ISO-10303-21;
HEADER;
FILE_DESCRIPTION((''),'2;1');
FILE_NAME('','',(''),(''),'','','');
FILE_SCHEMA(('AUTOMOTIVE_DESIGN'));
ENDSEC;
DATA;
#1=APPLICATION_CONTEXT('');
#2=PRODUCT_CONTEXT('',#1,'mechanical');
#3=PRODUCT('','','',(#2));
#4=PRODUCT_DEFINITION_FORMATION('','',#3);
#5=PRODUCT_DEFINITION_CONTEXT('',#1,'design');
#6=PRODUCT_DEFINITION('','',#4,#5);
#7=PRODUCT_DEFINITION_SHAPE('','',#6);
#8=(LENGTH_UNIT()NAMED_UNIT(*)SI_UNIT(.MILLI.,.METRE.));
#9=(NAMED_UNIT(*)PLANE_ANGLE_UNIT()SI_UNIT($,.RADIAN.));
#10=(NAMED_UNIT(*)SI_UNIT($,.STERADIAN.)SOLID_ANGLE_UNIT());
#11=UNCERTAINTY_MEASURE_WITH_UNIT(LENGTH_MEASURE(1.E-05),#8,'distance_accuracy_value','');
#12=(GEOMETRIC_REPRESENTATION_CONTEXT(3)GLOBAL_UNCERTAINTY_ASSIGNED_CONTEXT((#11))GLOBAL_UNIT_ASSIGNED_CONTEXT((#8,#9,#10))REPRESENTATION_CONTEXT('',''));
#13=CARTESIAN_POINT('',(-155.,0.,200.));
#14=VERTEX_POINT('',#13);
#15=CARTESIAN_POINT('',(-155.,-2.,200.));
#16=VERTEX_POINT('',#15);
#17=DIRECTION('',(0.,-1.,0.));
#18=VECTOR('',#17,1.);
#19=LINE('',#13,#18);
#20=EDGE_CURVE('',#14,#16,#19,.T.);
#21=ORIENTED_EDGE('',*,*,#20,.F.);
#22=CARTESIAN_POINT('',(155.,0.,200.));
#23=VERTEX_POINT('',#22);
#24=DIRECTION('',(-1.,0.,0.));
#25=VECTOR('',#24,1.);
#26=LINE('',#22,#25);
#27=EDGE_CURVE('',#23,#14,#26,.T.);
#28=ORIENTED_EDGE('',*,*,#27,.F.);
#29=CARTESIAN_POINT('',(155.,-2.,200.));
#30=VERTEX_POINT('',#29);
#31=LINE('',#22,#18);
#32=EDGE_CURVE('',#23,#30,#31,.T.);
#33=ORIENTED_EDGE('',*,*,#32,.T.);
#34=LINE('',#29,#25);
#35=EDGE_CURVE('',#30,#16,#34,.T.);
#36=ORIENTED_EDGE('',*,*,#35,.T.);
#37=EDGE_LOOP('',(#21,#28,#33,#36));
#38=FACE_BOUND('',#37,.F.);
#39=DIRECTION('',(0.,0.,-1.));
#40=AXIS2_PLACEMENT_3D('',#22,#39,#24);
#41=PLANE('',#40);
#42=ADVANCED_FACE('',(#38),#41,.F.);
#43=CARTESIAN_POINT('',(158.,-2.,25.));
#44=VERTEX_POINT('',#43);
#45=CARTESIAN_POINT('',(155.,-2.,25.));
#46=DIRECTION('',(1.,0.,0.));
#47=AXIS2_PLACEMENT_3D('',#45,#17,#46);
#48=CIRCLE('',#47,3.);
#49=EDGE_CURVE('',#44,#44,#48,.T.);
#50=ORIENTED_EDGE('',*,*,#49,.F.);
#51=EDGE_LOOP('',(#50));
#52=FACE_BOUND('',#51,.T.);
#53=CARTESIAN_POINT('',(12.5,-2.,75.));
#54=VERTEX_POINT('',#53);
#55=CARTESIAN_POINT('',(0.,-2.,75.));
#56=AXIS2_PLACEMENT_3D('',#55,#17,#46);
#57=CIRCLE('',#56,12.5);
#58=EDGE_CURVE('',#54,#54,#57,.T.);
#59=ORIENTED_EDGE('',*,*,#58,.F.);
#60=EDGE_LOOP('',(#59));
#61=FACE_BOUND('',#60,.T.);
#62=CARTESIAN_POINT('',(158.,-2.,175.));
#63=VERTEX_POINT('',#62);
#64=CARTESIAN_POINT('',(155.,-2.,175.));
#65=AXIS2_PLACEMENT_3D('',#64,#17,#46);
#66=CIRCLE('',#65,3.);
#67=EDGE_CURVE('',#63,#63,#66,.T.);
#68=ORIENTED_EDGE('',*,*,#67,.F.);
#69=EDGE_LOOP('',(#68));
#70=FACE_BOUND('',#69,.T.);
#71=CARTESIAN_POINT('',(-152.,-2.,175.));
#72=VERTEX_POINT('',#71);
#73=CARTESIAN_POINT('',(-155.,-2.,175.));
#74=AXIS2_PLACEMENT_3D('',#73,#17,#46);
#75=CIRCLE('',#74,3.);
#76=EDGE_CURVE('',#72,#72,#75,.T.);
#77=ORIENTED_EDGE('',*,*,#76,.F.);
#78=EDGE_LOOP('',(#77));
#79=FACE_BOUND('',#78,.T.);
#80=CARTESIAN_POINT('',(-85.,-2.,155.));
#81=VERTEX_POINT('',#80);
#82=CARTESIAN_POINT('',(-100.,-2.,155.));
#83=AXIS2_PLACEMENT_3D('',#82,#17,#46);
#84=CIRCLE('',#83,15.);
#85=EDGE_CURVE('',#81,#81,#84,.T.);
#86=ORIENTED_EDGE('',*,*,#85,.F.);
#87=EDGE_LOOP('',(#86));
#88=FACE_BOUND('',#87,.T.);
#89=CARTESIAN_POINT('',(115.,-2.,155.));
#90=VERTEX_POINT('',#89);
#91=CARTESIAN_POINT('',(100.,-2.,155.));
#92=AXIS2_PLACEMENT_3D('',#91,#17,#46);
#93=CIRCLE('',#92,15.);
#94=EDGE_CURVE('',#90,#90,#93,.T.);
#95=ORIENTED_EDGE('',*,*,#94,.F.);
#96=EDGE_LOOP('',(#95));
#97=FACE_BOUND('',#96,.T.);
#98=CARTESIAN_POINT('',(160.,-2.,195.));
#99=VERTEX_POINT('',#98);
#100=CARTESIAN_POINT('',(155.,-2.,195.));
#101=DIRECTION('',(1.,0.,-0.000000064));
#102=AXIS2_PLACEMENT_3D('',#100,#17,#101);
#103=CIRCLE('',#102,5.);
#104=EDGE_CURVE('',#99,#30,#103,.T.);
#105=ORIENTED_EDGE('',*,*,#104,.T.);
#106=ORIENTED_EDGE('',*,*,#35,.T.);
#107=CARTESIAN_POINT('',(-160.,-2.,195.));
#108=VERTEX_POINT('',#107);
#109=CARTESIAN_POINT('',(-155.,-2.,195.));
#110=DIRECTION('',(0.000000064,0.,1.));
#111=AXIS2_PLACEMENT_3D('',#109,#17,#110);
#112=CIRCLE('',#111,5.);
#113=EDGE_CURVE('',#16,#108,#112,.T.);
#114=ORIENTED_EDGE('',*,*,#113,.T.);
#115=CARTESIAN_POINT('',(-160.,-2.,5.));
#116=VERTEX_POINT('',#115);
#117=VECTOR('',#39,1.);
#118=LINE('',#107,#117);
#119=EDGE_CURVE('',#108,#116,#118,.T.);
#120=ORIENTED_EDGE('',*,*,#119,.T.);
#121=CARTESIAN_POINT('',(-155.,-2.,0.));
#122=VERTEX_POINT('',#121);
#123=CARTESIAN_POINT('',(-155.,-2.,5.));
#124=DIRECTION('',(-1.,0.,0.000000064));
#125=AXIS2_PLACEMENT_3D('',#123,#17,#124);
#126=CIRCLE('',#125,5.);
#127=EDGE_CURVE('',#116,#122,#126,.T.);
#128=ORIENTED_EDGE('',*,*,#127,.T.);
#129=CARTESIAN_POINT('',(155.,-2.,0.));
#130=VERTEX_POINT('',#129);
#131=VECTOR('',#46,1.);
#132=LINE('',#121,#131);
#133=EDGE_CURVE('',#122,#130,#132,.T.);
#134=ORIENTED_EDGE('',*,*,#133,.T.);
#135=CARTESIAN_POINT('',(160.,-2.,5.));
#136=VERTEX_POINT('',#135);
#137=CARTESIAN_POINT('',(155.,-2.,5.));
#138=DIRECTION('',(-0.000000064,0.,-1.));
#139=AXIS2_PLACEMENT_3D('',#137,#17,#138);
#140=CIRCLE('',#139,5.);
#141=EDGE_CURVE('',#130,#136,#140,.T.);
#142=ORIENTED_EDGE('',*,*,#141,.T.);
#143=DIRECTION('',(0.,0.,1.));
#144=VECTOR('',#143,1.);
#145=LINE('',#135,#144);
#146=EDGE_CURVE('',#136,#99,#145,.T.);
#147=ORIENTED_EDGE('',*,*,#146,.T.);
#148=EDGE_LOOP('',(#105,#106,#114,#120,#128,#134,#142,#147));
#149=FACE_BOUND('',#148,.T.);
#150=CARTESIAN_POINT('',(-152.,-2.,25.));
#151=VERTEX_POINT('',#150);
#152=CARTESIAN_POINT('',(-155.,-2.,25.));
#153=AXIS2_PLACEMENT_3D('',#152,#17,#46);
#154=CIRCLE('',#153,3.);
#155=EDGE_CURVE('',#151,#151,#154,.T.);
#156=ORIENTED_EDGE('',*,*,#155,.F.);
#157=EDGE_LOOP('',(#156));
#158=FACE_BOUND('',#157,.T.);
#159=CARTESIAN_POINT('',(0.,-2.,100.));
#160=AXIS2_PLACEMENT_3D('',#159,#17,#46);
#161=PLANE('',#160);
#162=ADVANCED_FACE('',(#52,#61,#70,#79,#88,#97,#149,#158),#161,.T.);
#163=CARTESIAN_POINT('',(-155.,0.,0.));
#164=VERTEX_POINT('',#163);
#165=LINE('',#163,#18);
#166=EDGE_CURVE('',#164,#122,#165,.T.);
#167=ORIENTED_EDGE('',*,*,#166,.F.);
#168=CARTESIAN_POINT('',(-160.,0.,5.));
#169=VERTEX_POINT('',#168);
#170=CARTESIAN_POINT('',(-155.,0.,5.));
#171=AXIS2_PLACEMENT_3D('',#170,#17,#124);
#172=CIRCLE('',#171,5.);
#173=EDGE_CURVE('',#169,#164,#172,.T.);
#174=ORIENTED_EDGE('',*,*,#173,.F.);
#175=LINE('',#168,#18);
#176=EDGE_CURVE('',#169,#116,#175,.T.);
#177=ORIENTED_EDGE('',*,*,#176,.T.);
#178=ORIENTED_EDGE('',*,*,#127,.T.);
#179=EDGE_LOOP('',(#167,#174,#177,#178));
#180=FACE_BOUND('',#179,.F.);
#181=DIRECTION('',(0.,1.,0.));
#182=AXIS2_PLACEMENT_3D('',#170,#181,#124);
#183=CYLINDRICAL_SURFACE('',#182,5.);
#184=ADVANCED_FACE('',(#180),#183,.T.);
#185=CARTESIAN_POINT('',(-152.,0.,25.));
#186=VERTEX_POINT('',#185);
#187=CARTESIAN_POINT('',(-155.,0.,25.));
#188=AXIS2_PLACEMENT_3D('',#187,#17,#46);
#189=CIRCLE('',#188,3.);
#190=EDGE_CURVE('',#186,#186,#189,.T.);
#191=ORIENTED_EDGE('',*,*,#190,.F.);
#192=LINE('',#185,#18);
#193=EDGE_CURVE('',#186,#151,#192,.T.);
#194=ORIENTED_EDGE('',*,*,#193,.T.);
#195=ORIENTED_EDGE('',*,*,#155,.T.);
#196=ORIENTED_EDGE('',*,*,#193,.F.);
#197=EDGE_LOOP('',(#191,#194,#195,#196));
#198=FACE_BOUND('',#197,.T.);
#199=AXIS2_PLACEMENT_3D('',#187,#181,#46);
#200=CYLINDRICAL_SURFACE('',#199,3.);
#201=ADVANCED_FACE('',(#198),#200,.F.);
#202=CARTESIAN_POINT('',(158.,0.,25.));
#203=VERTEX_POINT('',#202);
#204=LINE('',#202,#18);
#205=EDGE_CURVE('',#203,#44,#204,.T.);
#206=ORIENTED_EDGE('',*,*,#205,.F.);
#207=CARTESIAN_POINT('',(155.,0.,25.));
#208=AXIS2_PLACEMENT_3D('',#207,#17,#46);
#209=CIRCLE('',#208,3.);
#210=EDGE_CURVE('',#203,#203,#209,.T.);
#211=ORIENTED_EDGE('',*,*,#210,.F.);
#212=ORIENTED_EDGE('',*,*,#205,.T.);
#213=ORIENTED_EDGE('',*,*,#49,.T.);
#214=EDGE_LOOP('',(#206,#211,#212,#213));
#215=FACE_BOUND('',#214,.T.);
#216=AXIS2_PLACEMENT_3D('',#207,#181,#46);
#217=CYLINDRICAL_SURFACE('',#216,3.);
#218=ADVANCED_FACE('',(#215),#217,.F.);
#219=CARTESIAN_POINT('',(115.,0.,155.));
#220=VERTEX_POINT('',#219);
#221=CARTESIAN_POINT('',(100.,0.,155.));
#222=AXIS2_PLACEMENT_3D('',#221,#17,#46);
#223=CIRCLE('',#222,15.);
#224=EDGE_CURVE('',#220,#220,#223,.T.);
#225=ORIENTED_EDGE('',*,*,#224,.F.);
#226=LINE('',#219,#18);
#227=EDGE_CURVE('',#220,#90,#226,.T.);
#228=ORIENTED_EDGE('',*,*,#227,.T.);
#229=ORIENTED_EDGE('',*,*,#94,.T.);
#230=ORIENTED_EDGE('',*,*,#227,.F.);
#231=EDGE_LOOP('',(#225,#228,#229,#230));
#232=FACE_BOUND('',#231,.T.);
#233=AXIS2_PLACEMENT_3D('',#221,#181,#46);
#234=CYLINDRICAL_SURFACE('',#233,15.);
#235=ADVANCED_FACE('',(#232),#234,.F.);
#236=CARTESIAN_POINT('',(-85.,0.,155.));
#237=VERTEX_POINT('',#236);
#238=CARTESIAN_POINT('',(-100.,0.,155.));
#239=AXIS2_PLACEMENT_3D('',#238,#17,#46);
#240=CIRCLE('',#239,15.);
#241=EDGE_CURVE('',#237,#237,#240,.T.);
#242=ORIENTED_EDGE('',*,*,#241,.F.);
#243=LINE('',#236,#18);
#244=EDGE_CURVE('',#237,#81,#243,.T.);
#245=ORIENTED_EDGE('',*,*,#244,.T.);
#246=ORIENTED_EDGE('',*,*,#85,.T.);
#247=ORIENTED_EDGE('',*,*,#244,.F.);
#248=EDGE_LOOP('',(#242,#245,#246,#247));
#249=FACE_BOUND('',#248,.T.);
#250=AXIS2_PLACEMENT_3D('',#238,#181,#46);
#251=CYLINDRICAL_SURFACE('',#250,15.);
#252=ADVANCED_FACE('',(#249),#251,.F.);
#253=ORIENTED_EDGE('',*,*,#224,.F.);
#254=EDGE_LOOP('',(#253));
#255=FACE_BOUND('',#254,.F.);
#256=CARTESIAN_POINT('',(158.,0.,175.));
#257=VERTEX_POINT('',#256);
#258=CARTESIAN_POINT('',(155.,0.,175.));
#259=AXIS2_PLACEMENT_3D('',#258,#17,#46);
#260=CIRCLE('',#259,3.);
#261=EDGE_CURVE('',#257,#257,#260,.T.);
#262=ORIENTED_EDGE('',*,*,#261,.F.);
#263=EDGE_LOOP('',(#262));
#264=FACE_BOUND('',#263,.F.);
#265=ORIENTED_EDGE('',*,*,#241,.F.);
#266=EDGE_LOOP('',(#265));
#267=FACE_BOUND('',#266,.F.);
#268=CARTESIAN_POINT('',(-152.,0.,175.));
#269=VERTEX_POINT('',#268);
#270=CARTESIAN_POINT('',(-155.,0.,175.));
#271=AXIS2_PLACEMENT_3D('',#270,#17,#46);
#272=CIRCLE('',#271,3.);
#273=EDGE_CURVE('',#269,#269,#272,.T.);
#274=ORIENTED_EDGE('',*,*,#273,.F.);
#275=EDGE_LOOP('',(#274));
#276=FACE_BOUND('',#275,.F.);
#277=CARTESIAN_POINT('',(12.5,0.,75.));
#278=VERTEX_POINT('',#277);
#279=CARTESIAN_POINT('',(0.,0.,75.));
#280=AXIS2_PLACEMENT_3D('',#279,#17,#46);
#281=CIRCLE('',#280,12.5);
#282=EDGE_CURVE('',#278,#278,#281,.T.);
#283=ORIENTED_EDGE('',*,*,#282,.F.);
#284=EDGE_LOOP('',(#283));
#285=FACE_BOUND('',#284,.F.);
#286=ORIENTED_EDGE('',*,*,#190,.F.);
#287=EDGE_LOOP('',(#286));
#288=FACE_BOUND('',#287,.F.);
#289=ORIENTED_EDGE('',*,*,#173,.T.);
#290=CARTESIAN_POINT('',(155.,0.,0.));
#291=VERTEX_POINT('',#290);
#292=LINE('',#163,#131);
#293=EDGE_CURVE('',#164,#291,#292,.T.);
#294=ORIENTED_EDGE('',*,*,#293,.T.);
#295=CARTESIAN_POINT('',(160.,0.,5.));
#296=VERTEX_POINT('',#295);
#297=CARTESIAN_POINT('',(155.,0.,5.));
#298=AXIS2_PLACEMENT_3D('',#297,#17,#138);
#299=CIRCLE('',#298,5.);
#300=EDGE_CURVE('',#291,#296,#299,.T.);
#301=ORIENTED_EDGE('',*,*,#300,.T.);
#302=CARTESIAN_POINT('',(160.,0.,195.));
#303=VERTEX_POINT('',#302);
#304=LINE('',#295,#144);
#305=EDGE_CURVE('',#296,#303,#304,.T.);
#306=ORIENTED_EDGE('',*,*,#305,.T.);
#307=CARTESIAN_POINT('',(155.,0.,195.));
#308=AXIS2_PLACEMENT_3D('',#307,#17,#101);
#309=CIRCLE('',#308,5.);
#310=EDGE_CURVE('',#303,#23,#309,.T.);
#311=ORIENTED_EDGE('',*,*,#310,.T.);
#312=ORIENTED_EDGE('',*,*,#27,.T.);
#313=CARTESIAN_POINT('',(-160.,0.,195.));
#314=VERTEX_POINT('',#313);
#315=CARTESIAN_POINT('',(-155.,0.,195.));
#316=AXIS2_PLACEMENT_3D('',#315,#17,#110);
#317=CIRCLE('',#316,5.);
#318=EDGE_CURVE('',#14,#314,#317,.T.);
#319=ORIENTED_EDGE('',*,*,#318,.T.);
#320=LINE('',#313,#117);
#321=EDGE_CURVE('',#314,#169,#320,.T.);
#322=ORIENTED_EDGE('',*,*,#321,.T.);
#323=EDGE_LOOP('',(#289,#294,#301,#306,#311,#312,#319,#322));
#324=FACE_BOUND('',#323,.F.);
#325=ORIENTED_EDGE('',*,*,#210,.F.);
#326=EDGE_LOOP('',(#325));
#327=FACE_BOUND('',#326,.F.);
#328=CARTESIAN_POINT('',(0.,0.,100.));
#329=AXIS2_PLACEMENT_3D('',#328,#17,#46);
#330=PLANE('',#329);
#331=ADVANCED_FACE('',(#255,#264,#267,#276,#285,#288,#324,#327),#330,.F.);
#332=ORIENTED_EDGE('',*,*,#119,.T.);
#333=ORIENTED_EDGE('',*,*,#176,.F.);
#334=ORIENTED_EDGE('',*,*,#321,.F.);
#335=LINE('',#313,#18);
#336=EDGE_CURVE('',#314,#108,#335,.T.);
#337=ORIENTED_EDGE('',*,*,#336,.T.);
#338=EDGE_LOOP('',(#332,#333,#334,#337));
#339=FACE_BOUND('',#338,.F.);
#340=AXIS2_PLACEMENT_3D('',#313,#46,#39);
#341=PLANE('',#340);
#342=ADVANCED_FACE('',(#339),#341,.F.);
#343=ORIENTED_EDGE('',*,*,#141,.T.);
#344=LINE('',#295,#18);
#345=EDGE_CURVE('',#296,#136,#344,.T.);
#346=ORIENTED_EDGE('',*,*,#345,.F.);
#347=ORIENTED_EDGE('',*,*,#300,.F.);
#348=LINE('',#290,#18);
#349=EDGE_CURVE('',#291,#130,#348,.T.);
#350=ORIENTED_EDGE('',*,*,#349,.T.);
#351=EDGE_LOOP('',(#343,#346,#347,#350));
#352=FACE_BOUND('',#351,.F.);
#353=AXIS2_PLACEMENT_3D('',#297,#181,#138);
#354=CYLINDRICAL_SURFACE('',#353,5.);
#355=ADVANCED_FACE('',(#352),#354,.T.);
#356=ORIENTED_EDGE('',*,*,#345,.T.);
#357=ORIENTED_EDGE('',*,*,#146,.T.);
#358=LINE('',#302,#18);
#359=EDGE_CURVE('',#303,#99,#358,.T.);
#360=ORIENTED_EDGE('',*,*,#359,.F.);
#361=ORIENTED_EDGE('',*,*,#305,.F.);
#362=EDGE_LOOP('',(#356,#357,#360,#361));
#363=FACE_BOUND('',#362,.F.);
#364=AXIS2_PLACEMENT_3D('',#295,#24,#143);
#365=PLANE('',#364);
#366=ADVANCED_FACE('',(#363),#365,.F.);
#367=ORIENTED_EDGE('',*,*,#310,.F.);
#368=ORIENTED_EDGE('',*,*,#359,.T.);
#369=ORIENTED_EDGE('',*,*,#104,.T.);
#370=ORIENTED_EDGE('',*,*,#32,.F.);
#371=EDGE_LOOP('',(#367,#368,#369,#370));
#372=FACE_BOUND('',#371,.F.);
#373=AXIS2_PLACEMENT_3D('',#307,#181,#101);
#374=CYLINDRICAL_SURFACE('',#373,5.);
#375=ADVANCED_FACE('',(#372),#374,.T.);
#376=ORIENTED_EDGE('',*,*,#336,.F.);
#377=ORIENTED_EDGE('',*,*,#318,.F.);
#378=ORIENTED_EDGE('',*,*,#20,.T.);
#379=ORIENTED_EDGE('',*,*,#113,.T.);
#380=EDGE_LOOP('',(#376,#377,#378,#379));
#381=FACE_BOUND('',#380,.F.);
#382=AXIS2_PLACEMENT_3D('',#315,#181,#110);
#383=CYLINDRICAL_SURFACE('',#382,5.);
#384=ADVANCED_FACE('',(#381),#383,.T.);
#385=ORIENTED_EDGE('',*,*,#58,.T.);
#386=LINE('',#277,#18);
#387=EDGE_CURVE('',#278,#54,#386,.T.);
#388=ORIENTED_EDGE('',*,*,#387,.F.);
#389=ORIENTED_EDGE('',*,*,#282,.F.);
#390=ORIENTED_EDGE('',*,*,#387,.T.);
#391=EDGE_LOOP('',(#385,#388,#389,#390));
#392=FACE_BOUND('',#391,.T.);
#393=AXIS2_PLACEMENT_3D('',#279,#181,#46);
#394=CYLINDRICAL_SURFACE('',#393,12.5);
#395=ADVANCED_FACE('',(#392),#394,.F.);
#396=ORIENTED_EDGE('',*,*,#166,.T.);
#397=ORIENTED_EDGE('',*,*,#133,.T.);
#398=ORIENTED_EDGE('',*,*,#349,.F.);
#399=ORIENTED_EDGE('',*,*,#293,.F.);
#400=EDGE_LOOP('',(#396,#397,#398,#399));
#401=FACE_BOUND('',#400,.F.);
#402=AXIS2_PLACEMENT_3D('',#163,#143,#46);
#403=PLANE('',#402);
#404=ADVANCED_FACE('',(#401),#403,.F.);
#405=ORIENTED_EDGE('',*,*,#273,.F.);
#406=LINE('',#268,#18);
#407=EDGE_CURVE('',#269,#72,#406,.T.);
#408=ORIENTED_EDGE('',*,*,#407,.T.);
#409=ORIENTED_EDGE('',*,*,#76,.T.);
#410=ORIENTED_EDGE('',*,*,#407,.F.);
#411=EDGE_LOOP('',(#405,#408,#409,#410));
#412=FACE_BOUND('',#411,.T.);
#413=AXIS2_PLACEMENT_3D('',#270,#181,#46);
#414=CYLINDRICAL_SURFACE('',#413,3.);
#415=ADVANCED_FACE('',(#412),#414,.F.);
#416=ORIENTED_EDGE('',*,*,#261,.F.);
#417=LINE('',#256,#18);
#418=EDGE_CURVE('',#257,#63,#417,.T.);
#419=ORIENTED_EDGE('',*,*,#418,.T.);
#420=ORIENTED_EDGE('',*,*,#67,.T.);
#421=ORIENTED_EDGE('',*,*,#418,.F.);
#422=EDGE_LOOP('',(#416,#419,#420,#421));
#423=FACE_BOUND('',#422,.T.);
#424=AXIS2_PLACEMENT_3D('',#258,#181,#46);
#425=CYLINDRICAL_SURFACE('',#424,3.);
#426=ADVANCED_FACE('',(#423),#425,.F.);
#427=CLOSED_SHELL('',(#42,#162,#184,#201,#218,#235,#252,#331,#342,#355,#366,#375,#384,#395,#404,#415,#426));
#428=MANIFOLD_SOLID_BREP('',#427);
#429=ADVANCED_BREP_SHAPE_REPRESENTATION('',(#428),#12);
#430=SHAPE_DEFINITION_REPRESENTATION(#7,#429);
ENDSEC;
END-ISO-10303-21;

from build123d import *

# Parameters (mm, degrees)
F0_R     = 3
F0_R_2   = 12.5
F0_R_3   = 15
F1_DEPTH = 2


with BuildPart() as f1:
    # F0 (on Front) → F1 (new body)
    with BuildSketch(Plane.XZ):
        with BuildLine():
            Line((155, 200), (-155, 200))
            ThreePointArc((-155, 200), (-158.535534, 198.535534), (-160, 195))
            Line((-160, 195), (-160, 5))
            ThreePointArc((-160, 5), (-158.535534, 1.464466), (-155, 0))
            Line((-155, 0), (155, 0))
            ThreePointArc((155, 0), (158.535534, 1.464466), (160, 5))
            Line((160, 5), (160, 195))
            ThreePointArc((160, 195), (158.535534, 198.535534), (155, 200))
        make_face()
        with Locations((-155, 25)):
            Circle(F0_R, mode=Mode.SUBTRACT)
        with Locations((155, 25)):
            Circle(F0_R, mode=Mode.SUBTRACT)
        with Locations((0, 75)):
            Circle(F0_R_2, mode=Mode.SUBTRACT)
        with Locations((-100, 155)):
            Circle(F0_R_3, mode=Mode.SUBTRACT)
        with Locations((-155, 175)):
            Circle(F0_R, mode=Mode.SUBTRACT)
        with Locations((100, 155)):
            Circle(F0_R_3, mode=Mode.SUBTRACT)
        with Locations((155, 175)):
            Circle(F0_R, mode=Mode.SUBTRACT)
    extrude(amount=F1_DEPTH)


solid = f1.part
